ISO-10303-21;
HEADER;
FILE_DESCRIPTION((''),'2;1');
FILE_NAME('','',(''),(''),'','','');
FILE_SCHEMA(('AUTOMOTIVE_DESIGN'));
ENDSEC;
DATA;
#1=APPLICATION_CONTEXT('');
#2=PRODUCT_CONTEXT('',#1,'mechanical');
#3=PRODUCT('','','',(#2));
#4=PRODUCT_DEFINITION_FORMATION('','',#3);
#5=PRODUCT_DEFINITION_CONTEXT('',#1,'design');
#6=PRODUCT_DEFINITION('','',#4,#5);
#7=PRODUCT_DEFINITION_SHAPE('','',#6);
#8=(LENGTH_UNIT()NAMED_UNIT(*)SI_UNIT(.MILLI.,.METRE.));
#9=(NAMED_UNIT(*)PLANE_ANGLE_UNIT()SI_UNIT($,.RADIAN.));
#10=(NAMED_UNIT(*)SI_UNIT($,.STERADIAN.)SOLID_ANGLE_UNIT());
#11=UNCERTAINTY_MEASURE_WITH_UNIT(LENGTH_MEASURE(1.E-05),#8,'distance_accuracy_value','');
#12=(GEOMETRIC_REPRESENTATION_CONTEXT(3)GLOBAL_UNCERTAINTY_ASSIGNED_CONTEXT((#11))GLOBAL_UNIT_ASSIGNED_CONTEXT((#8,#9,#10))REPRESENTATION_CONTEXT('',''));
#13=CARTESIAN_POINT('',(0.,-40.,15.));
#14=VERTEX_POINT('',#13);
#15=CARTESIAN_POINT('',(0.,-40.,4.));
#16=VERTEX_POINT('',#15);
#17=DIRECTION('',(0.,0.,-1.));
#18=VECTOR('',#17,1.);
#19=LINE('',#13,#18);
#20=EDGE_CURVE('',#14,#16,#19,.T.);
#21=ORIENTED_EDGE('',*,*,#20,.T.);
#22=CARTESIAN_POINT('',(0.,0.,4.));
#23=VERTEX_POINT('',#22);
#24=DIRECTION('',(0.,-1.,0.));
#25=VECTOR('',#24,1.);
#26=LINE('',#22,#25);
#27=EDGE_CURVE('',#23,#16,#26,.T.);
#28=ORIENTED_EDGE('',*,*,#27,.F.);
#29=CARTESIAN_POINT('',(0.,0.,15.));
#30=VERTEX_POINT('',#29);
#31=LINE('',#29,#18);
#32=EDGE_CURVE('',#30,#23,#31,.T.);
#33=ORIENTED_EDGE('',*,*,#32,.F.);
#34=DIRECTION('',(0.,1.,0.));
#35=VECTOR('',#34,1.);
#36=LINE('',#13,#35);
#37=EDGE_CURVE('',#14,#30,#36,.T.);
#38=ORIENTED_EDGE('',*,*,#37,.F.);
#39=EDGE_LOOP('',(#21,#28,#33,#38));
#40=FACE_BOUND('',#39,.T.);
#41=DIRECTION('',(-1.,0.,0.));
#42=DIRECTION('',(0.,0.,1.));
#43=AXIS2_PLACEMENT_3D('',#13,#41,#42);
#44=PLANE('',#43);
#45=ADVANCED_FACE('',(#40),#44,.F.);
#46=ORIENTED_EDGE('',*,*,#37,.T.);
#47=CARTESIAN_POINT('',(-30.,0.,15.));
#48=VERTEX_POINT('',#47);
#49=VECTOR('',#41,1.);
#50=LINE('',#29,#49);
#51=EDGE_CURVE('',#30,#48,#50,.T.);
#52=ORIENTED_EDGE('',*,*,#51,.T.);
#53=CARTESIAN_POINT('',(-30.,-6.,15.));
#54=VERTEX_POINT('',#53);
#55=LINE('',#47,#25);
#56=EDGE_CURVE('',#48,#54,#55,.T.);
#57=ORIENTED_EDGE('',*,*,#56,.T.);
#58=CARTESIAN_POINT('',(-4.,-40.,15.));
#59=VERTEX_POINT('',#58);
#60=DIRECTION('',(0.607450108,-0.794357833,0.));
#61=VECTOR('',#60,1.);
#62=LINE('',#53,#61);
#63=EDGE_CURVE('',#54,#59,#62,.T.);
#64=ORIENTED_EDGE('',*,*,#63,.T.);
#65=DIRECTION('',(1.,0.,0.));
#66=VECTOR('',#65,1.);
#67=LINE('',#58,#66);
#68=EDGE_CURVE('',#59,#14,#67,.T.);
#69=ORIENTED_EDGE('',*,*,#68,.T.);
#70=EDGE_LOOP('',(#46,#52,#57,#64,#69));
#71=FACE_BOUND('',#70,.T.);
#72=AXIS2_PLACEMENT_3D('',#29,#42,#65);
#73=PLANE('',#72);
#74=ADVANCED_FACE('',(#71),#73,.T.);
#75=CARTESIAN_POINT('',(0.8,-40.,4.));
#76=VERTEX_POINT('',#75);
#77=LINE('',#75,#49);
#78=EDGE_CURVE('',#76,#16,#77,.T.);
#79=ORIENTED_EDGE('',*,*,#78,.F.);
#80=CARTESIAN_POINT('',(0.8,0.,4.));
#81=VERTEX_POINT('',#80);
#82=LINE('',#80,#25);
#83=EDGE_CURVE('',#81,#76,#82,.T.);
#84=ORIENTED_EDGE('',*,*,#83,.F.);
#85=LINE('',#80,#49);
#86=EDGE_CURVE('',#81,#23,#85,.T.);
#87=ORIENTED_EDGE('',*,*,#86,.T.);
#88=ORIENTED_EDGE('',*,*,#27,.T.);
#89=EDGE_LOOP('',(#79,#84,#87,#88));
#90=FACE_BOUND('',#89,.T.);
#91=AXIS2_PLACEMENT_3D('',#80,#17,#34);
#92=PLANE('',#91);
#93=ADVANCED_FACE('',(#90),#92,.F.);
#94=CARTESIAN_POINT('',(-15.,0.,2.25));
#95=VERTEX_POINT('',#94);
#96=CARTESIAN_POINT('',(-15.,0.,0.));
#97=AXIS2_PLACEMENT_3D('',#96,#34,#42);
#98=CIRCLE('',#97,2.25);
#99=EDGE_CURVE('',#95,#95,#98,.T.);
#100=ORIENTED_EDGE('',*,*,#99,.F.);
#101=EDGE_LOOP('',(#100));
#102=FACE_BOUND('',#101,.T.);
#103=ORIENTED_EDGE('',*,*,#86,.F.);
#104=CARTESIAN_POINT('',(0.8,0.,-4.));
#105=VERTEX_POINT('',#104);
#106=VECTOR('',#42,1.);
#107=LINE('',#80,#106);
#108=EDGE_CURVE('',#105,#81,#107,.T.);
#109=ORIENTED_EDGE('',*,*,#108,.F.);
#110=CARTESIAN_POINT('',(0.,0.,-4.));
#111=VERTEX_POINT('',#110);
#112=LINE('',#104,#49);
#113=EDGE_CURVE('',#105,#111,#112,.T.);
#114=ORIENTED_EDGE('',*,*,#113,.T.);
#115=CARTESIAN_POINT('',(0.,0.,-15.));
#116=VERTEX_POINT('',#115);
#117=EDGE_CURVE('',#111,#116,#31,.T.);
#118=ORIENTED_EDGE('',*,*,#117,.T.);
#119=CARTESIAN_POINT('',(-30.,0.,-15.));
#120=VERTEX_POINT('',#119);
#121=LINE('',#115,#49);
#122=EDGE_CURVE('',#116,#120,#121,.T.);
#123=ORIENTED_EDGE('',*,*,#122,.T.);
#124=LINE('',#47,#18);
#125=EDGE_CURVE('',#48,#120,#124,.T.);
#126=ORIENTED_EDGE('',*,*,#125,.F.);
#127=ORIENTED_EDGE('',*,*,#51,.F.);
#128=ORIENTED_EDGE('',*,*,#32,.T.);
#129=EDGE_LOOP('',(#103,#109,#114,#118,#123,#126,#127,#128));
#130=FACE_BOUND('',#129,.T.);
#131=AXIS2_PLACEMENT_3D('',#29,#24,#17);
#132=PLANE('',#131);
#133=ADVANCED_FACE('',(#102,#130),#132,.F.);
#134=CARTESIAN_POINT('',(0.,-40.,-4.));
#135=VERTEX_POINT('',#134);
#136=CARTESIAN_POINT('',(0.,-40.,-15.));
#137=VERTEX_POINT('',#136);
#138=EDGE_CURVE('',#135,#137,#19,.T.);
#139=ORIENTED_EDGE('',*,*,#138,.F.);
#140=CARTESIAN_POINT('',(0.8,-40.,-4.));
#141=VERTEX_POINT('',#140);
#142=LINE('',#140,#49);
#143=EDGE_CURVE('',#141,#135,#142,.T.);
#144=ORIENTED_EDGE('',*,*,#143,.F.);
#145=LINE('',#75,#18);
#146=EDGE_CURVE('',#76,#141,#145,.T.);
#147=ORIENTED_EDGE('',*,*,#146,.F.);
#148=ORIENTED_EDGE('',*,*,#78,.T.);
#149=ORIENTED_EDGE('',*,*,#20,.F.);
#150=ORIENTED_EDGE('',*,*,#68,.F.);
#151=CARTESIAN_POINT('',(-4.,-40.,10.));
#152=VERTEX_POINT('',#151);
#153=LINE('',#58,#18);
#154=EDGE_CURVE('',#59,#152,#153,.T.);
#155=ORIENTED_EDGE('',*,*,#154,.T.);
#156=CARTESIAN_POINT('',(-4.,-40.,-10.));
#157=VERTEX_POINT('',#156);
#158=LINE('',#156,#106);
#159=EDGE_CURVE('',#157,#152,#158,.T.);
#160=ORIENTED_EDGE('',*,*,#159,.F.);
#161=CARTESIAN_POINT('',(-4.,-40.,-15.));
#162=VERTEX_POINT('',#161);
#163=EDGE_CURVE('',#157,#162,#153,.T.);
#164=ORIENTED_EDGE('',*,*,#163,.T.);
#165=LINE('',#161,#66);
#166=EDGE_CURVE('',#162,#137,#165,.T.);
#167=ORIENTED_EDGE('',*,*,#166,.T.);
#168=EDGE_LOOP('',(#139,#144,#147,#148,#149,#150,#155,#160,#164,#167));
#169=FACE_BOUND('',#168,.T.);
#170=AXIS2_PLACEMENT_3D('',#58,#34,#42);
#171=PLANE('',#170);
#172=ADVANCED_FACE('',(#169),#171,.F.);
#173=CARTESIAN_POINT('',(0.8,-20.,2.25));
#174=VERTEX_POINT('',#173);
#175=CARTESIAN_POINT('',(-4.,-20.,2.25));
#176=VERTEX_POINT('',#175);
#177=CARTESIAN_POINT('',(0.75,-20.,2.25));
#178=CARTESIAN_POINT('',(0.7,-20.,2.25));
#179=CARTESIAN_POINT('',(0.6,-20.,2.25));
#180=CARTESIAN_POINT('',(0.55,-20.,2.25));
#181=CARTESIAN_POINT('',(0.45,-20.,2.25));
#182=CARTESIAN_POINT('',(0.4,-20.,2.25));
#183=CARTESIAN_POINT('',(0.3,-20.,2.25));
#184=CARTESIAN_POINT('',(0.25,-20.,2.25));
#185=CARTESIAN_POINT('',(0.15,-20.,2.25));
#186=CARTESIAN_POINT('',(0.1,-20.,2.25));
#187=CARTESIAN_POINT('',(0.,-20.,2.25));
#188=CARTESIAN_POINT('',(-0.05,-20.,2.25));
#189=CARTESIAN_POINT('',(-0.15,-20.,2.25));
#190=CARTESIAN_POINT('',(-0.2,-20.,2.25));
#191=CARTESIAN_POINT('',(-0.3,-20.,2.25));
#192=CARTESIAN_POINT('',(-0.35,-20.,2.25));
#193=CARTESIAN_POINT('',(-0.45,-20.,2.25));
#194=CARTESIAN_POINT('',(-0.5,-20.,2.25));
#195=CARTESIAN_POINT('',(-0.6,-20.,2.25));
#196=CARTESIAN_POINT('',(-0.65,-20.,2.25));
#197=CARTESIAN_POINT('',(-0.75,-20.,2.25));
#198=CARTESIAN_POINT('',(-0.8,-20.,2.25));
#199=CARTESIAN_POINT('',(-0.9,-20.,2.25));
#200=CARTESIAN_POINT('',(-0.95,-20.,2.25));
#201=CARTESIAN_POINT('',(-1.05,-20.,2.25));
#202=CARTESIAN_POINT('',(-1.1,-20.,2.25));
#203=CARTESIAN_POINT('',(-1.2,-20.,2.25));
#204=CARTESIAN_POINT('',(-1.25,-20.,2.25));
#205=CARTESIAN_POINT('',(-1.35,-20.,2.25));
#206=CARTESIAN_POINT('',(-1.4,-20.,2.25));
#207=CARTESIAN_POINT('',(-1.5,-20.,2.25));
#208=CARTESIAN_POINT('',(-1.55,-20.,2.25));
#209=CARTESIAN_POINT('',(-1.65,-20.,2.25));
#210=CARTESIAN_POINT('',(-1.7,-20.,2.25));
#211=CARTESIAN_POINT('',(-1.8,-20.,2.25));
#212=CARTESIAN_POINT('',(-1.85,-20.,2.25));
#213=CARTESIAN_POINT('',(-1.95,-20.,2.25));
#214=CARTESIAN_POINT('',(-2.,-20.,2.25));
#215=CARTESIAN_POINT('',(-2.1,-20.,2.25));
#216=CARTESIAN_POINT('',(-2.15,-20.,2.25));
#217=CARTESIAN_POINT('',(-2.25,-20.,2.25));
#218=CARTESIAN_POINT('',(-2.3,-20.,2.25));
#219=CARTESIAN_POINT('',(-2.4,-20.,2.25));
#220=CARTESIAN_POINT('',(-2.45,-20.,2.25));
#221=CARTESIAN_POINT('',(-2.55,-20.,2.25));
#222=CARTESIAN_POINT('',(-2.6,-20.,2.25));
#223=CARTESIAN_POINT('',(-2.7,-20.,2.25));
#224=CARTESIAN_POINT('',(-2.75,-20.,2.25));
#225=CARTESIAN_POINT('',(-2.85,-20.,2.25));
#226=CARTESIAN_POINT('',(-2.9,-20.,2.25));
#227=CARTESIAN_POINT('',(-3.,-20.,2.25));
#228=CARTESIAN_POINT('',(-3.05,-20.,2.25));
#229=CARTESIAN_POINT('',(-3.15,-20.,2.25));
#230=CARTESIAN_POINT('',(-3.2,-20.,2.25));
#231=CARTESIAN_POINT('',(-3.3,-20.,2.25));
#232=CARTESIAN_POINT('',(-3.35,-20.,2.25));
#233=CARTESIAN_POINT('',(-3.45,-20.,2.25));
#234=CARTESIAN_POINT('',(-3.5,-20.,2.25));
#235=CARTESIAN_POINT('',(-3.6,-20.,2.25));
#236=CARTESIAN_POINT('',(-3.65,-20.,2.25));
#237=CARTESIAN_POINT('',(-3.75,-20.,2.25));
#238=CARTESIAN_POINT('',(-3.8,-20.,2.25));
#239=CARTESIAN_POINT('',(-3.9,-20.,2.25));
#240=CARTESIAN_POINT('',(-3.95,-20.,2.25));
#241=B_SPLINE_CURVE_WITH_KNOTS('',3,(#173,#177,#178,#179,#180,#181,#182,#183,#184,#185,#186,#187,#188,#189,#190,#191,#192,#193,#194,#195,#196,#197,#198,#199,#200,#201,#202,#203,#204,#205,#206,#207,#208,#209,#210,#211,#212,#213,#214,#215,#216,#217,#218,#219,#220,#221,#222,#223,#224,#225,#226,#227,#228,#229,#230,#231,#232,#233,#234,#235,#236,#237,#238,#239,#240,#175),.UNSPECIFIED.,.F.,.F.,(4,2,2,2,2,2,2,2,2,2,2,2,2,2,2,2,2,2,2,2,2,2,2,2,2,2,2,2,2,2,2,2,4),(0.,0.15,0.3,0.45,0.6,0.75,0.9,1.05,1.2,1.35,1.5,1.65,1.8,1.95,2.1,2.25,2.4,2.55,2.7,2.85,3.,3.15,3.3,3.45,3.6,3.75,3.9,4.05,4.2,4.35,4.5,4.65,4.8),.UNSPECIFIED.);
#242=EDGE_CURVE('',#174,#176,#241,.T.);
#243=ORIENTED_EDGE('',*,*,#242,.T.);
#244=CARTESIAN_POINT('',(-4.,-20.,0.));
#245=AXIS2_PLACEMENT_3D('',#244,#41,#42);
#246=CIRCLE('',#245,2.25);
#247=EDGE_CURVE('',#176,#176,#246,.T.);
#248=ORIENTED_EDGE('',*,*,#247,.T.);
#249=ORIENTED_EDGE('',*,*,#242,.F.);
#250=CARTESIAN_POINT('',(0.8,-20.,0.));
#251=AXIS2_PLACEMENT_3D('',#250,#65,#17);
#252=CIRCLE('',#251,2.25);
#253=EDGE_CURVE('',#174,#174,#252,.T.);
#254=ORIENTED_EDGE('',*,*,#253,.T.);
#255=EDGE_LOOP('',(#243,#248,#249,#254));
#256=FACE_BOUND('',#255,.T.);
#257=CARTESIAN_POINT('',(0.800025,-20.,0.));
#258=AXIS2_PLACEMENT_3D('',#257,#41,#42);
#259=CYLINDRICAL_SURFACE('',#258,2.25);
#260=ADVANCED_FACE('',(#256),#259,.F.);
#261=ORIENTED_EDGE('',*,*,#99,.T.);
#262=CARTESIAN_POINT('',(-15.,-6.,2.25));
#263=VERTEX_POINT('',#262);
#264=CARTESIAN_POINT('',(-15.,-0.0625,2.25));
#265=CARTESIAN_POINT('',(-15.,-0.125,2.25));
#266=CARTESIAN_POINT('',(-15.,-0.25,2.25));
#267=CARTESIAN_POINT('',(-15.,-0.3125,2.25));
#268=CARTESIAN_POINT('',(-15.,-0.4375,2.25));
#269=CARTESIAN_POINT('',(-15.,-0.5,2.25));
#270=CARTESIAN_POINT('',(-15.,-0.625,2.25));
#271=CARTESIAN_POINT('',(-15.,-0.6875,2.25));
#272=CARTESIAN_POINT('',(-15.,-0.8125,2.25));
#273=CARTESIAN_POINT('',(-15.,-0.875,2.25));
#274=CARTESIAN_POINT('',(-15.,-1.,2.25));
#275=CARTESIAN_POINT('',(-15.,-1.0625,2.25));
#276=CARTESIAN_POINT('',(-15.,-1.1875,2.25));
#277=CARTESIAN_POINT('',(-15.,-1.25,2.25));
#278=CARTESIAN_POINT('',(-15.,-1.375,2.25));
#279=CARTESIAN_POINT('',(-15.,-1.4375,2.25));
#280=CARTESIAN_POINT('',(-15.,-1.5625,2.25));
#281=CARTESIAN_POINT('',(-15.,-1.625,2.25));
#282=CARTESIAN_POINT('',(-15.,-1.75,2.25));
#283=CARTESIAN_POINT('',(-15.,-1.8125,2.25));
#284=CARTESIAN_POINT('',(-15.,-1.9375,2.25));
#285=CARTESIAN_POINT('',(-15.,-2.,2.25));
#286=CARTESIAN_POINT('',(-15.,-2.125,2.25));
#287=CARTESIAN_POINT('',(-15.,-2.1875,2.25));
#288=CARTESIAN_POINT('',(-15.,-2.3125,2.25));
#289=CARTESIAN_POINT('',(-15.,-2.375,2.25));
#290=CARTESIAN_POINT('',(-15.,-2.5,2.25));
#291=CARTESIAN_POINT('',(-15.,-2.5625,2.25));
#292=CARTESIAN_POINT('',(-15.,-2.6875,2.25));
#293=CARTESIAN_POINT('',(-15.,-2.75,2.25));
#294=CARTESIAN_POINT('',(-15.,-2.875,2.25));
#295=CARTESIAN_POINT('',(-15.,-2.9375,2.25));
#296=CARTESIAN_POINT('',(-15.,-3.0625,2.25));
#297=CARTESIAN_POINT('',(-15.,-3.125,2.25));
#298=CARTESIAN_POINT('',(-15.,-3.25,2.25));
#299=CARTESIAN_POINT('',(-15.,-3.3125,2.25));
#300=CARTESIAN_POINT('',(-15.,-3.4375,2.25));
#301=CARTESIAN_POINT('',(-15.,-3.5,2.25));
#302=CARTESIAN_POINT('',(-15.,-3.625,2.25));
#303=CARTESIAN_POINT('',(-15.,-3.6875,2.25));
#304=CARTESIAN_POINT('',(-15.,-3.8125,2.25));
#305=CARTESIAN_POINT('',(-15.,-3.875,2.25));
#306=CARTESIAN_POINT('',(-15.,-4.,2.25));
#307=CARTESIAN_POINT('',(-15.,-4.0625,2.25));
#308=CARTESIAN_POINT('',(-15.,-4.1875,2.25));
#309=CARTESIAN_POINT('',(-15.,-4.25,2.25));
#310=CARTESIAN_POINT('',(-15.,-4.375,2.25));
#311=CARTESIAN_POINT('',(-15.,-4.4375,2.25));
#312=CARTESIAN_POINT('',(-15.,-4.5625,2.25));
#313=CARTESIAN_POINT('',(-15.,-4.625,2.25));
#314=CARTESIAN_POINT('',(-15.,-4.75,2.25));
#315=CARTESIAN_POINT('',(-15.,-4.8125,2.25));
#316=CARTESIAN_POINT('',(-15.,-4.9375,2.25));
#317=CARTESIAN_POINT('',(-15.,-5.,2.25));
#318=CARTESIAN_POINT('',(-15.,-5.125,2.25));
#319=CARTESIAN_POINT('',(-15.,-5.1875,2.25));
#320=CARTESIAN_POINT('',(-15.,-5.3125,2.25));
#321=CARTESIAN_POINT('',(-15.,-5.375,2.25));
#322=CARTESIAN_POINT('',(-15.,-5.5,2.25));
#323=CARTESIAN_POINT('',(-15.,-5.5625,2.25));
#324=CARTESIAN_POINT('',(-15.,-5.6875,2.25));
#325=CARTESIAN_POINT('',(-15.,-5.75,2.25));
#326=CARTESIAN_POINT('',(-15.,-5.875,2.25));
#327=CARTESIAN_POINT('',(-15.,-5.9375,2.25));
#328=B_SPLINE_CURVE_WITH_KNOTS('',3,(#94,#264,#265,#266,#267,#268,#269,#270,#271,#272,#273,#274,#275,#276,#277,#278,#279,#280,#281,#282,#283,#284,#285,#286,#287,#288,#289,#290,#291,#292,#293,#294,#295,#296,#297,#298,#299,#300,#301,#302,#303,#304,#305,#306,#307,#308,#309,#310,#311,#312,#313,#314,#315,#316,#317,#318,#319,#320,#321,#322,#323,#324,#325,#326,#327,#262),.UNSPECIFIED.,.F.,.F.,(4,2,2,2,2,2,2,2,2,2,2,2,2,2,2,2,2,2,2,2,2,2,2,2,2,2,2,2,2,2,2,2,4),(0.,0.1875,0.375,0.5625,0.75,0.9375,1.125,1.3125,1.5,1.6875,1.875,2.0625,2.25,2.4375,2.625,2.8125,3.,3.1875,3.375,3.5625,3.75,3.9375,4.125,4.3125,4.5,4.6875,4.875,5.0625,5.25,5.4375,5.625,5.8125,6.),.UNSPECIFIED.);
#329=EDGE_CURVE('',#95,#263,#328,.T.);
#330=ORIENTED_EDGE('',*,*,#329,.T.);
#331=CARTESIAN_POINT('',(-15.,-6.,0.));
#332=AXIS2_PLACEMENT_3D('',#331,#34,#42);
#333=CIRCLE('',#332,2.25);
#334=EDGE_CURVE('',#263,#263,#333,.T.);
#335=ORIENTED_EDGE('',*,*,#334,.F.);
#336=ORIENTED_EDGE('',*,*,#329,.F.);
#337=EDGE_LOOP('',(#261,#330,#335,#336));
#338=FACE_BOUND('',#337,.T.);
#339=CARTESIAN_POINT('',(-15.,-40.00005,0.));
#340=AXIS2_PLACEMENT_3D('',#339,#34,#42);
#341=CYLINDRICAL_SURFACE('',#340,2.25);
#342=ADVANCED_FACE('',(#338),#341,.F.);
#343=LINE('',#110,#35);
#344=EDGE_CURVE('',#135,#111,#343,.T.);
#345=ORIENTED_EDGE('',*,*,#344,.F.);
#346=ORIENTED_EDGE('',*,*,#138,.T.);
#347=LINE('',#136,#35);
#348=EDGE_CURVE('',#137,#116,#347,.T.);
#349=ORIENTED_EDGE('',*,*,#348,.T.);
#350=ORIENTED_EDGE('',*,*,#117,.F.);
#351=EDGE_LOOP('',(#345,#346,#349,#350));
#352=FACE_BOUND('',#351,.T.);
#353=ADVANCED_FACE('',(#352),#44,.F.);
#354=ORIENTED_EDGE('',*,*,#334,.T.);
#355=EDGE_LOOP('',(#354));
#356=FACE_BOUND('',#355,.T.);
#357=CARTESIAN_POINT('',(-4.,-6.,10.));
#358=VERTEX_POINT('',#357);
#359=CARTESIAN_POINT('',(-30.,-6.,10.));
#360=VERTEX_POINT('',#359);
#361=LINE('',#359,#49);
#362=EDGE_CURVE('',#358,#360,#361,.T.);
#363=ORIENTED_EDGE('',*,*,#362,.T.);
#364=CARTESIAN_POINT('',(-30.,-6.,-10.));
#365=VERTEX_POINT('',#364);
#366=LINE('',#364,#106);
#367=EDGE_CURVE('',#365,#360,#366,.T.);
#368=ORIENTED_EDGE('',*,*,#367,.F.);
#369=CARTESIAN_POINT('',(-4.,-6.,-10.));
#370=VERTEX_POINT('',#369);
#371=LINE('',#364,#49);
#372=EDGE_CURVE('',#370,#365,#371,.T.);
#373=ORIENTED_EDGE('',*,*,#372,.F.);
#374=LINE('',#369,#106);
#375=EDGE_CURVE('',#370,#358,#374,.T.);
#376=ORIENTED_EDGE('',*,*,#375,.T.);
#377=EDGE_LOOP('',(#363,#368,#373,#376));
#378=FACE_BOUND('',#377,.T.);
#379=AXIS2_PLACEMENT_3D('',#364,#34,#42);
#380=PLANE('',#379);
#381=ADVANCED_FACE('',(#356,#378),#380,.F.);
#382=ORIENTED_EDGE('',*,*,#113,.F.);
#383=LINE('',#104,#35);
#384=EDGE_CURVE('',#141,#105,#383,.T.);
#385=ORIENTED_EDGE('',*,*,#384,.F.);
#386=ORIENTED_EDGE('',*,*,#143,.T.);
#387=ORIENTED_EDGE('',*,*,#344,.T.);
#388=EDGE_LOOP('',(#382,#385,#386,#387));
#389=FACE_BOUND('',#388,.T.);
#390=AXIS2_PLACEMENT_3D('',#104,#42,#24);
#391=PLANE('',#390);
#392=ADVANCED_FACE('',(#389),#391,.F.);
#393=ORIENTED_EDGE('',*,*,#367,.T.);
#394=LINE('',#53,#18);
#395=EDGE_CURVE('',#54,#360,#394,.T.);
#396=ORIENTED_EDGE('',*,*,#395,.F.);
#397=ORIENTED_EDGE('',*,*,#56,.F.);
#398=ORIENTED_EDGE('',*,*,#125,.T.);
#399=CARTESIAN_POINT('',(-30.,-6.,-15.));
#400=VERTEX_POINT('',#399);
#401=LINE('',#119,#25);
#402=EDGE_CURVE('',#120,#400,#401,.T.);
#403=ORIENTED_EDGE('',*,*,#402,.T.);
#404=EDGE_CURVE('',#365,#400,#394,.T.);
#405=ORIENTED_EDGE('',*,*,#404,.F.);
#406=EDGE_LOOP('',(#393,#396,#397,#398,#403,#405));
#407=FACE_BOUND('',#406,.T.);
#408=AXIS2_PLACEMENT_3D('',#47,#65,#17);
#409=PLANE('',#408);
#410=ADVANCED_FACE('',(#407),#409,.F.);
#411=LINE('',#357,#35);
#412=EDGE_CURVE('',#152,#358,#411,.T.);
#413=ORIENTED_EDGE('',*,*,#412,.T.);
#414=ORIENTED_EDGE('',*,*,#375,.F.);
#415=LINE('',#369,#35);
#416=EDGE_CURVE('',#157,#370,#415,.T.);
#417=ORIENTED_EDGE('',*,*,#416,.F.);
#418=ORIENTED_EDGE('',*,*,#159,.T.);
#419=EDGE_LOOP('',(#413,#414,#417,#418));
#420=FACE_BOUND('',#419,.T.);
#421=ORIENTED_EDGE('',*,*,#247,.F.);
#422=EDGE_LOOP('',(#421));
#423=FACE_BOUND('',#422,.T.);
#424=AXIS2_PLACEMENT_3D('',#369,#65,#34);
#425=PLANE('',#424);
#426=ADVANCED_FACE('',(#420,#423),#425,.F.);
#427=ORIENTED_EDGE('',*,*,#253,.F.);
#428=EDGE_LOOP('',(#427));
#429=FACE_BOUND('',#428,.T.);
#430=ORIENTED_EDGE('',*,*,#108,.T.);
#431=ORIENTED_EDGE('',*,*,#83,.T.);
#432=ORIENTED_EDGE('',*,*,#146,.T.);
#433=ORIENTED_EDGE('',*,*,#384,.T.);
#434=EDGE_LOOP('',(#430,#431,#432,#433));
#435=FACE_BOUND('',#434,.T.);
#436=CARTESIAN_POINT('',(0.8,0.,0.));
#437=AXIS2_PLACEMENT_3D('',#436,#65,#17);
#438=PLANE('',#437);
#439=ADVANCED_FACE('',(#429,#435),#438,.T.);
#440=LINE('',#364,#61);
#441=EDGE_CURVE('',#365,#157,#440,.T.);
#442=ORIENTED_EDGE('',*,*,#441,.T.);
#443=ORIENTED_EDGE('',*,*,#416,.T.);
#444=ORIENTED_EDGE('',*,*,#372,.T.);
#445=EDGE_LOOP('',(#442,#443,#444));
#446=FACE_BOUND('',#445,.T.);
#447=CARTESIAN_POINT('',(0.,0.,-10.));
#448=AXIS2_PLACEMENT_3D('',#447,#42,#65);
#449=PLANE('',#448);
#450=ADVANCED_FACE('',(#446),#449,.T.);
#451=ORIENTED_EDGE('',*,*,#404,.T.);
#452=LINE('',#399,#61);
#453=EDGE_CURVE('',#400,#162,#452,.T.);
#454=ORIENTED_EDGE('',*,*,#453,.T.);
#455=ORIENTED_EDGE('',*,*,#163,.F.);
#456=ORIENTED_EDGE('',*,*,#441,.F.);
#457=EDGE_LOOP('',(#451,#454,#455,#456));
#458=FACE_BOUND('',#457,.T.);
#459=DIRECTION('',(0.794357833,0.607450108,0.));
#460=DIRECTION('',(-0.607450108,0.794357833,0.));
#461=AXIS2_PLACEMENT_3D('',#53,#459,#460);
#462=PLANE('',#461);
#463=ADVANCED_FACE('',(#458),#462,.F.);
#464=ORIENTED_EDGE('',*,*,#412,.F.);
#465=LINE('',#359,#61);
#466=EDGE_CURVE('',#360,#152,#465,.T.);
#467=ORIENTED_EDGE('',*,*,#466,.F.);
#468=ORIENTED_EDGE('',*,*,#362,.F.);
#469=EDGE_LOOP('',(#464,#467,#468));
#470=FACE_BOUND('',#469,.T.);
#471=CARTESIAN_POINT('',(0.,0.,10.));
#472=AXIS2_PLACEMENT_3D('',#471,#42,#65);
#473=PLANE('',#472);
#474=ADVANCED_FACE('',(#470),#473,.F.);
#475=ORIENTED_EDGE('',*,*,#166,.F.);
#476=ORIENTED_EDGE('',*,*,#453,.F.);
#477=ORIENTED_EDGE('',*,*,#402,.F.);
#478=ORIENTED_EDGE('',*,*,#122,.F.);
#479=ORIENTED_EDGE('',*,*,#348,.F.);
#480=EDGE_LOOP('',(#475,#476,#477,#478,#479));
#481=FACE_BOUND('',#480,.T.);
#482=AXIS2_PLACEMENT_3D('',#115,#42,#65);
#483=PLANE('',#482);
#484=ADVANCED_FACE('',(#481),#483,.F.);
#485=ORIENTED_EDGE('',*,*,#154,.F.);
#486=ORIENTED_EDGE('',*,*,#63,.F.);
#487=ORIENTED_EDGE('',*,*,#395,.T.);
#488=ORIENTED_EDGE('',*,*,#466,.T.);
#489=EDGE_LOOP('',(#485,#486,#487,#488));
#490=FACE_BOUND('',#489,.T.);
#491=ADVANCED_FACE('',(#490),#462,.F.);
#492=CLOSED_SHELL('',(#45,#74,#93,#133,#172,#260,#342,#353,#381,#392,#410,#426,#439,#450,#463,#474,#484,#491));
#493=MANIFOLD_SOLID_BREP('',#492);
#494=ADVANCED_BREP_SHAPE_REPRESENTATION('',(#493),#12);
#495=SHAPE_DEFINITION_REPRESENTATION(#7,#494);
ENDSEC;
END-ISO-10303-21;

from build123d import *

# Parameters (mm, degrees)
BOSS_EXTRUDE1_DEPTH = 15
SKETCH2_W           = 8
SKETCH2_H           = 40
BOSS_EXTRUDE2_DEPTH = 0.8
SKETCH3_W           = 26
SKETCH3_H           = 34
CUT_EXTRUDE1_DEPTH  = 10
SKETCH4_R           = 2.25
CUT_EXTRUDE2_DEPTH  = 51.009999
SKETCH5_R           = 2.25
CUT_EXTRUDE3_DEPTH  = 53.201532545


with BuildPart() as part:
    # Sketch1 → Boss-Extrude1 (new, symmetric)
    with BuildSketch(Plane.XY):
        Polygon((0, 0), (-30, 0), (-30, -6), (-4, -40), (0, -40), align=None)
    extrude(amount=BOSS_EXTRUDE1_DEPTH, both=True)

    # Sketch2 → Boss-Extrude2 (add)
    with BuildSketch(Plane(origin=(0, 0, 0), x_dir=(0, 0, -1), z_dir=(1, 0, 0))):
        with Locations((0, -20)):
            Rectangle(SKETCH2_W, SKETCH2_H)
    extrude(amount=BOSS_EXTRUDE2_DEPTH)

    # Sketch3 → Cut-Extrude1 (cut, symmetric)
    with BuildSketch(Plane.XY):
        with Locations((-17, -23)):
            Rectangle(SKETCH3_W, SKETCH3_H)
    extrude(amount=CUT_EXTRUDE1_DEPTH, both=True, mode=Mode.SUBTRACT)

    # Sketch4 → Cut-Extrude2 (cut, through all)
    with BuildSketch(Plane.ZY.offset(4)):
        with Locations((0, -20)):
            Circle(SKETCH4_R)
    extrude(amount=-CUT_EXTRUDE2_DEPTH, mode=Mode.SUBTRACT)

    # Sketch5 → Cut-Extrude3 (cut, through all)
    with BuildSketch(Plane(origin=(0, 0, 0), x_dir=(1, 0, 0), z_dir=(0, 1, 0))):
        with Locations(Location((-15, 0, 0), (0, 0, 270))):
            Circle(SKETCH5_R)
    extrude(amount=-CUT_EXTRUDE3_DEPTH, mode=Mode.SUBTRACT)


solid = part.part
